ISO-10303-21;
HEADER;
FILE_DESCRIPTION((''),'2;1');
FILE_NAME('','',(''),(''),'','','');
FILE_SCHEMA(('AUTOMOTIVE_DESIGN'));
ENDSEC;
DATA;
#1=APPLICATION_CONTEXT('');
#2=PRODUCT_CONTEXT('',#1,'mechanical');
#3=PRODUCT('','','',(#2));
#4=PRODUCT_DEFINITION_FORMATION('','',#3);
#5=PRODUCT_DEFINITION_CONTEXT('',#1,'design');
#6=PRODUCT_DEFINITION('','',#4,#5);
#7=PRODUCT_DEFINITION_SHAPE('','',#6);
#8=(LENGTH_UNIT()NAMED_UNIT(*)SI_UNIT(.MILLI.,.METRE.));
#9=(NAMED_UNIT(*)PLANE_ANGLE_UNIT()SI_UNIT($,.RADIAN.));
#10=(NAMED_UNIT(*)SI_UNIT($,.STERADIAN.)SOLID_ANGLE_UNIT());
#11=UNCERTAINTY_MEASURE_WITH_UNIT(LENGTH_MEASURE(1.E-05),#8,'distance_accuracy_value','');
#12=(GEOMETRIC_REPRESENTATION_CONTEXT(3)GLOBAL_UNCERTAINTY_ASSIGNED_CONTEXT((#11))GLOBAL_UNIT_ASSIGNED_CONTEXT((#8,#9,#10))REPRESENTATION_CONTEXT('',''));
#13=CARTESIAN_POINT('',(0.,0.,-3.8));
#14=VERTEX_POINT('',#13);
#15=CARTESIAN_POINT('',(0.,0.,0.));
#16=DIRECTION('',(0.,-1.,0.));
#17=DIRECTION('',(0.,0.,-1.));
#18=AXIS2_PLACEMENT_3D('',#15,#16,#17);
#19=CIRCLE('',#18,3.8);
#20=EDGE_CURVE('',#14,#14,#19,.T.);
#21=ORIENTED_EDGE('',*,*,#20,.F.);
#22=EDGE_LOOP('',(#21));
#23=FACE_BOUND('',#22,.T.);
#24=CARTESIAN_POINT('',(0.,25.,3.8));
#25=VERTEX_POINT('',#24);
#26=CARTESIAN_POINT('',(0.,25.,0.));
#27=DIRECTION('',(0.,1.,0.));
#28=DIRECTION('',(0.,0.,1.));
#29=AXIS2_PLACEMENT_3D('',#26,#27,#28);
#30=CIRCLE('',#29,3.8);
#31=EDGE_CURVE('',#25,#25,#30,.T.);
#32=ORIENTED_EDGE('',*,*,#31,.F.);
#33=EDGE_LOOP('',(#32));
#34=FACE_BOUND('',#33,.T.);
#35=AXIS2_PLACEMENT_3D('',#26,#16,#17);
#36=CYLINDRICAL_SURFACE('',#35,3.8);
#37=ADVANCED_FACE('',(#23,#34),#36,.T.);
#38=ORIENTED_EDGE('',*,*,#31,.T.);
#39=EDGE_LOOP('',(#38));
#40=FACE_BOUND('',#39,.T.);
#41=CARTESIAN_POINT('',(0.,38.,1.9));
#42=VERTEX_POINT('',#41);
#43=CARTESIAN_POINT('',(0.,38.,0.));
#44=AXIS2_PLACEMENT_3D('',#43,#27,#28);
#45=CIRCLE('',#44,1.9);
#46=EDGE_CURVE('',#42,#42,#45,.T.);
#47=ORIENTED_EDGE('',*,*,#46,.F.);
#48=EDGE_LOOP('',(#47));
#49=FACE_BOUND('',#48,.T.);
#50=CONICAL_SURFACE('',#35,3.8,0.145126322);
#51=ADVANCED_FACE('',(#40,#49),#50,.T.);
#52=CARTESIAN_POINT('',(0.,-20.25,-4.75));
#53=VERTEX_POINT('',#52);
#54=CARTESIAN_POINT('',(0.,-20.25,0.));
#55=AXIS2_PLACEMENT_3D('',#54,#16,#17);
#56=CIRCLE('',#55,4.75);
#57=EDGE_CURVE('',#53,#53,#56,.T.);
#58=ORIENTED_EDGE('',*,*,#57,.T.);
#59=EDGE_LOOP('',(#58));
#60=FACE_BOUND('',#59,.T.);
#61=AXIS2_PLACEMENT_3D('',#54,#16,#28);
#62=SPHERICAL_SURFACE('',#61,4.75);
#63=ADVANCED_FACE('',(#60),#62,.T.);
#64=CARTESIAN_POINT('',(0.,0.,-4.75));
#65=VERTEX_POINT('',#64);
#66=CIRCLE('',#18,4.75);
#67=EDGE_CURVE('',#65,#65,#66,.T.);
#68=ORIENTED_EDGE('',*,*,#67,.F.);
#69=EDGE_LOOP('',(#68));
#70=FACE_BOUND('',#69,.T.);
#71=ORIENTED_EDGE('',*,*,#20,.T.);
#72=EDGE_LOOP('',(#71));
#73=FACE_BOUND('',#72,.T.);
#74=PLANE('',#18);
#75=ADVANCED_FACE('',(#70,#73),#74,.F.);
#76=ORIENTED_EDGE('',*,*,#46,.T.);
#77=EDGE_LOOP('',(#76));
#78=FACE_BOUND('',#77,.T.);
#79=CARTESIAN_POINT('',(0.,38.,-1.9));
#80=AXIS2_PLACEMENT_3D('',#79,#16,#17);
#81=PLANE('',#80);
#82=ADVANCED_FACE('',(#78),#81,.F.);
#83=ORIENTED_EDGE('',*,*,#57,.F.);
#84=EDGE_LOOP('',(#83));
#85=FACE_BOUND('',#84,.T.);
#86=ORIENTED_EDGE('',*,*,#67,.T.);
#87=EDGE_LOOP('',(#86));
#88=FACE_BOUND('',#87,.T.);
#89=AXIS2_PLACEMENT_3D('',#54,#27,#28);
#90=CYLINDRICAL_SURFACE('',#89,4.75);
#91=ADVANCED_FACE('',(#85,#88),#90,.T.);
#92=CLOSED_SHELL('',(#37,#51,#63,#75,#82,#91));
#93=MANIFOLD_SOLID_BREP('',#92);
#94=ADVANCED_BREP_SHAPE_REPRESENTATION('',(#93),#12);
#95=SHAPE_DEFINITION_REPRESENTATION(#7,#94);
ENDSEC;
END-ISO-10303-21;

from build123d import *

# Parameters (mm, degrees)
SKETCH1_R      = 3.8
EXTRUDE1_DEPTH = 25
SKETCH2_R      = 4.75
EXTRUDE2_DEPTH = 20.25


with BuildPart() as part:
    # Sketch1 → Extrude1 (new body)
    with BuildSketch(Plane(origin=(0, 0, 0), x_dir=(1, 0, 0), z_dir=(0, 1, 0))):
        Circle(SKETCH1_R)
    extrude(amount=EXTRUDE1_DEPTH)

    # Sketch2 → Extrude2 (add)
    with BuildSketch(Plane.XZ):
        Circle(SKETCH2_R)
    extrude(amount=EXTRUDE2_DEPTH)

    # Sketch3 → Revolve1 (revolve)
    with BuildSketch(Plane(origin=(0, 0, 0), x_dir=(0, 0, -1), z_dir=(1, 0, 0))):
        with BuildLine():
            Line((0, -25), (0, -20.25))
            Line((0, -20.25), (-4.75, -20.25))
            ThreePointArc((-4.75, -20.25), (-3.358757211, -23.608757211), (0, -25))
        make_face()
    revolve(axis=Axis((0, -25.519108832, 0), (0, 1, 0)))

    # Sketch4 → Revolve2 (revolve)
    with BuildSketch(Plane(origin=(0, 0, 0), x_dir=(0, 0, -1), z_dir=(1, 0, 0))):
        Polygon((0, 25), (3.8, 25), (1.9, 38), (0, 38), align=None)
    revolve(axis=Axis((0, 39.39190429, 0), (0, -1, 0)))


solid = part.part
